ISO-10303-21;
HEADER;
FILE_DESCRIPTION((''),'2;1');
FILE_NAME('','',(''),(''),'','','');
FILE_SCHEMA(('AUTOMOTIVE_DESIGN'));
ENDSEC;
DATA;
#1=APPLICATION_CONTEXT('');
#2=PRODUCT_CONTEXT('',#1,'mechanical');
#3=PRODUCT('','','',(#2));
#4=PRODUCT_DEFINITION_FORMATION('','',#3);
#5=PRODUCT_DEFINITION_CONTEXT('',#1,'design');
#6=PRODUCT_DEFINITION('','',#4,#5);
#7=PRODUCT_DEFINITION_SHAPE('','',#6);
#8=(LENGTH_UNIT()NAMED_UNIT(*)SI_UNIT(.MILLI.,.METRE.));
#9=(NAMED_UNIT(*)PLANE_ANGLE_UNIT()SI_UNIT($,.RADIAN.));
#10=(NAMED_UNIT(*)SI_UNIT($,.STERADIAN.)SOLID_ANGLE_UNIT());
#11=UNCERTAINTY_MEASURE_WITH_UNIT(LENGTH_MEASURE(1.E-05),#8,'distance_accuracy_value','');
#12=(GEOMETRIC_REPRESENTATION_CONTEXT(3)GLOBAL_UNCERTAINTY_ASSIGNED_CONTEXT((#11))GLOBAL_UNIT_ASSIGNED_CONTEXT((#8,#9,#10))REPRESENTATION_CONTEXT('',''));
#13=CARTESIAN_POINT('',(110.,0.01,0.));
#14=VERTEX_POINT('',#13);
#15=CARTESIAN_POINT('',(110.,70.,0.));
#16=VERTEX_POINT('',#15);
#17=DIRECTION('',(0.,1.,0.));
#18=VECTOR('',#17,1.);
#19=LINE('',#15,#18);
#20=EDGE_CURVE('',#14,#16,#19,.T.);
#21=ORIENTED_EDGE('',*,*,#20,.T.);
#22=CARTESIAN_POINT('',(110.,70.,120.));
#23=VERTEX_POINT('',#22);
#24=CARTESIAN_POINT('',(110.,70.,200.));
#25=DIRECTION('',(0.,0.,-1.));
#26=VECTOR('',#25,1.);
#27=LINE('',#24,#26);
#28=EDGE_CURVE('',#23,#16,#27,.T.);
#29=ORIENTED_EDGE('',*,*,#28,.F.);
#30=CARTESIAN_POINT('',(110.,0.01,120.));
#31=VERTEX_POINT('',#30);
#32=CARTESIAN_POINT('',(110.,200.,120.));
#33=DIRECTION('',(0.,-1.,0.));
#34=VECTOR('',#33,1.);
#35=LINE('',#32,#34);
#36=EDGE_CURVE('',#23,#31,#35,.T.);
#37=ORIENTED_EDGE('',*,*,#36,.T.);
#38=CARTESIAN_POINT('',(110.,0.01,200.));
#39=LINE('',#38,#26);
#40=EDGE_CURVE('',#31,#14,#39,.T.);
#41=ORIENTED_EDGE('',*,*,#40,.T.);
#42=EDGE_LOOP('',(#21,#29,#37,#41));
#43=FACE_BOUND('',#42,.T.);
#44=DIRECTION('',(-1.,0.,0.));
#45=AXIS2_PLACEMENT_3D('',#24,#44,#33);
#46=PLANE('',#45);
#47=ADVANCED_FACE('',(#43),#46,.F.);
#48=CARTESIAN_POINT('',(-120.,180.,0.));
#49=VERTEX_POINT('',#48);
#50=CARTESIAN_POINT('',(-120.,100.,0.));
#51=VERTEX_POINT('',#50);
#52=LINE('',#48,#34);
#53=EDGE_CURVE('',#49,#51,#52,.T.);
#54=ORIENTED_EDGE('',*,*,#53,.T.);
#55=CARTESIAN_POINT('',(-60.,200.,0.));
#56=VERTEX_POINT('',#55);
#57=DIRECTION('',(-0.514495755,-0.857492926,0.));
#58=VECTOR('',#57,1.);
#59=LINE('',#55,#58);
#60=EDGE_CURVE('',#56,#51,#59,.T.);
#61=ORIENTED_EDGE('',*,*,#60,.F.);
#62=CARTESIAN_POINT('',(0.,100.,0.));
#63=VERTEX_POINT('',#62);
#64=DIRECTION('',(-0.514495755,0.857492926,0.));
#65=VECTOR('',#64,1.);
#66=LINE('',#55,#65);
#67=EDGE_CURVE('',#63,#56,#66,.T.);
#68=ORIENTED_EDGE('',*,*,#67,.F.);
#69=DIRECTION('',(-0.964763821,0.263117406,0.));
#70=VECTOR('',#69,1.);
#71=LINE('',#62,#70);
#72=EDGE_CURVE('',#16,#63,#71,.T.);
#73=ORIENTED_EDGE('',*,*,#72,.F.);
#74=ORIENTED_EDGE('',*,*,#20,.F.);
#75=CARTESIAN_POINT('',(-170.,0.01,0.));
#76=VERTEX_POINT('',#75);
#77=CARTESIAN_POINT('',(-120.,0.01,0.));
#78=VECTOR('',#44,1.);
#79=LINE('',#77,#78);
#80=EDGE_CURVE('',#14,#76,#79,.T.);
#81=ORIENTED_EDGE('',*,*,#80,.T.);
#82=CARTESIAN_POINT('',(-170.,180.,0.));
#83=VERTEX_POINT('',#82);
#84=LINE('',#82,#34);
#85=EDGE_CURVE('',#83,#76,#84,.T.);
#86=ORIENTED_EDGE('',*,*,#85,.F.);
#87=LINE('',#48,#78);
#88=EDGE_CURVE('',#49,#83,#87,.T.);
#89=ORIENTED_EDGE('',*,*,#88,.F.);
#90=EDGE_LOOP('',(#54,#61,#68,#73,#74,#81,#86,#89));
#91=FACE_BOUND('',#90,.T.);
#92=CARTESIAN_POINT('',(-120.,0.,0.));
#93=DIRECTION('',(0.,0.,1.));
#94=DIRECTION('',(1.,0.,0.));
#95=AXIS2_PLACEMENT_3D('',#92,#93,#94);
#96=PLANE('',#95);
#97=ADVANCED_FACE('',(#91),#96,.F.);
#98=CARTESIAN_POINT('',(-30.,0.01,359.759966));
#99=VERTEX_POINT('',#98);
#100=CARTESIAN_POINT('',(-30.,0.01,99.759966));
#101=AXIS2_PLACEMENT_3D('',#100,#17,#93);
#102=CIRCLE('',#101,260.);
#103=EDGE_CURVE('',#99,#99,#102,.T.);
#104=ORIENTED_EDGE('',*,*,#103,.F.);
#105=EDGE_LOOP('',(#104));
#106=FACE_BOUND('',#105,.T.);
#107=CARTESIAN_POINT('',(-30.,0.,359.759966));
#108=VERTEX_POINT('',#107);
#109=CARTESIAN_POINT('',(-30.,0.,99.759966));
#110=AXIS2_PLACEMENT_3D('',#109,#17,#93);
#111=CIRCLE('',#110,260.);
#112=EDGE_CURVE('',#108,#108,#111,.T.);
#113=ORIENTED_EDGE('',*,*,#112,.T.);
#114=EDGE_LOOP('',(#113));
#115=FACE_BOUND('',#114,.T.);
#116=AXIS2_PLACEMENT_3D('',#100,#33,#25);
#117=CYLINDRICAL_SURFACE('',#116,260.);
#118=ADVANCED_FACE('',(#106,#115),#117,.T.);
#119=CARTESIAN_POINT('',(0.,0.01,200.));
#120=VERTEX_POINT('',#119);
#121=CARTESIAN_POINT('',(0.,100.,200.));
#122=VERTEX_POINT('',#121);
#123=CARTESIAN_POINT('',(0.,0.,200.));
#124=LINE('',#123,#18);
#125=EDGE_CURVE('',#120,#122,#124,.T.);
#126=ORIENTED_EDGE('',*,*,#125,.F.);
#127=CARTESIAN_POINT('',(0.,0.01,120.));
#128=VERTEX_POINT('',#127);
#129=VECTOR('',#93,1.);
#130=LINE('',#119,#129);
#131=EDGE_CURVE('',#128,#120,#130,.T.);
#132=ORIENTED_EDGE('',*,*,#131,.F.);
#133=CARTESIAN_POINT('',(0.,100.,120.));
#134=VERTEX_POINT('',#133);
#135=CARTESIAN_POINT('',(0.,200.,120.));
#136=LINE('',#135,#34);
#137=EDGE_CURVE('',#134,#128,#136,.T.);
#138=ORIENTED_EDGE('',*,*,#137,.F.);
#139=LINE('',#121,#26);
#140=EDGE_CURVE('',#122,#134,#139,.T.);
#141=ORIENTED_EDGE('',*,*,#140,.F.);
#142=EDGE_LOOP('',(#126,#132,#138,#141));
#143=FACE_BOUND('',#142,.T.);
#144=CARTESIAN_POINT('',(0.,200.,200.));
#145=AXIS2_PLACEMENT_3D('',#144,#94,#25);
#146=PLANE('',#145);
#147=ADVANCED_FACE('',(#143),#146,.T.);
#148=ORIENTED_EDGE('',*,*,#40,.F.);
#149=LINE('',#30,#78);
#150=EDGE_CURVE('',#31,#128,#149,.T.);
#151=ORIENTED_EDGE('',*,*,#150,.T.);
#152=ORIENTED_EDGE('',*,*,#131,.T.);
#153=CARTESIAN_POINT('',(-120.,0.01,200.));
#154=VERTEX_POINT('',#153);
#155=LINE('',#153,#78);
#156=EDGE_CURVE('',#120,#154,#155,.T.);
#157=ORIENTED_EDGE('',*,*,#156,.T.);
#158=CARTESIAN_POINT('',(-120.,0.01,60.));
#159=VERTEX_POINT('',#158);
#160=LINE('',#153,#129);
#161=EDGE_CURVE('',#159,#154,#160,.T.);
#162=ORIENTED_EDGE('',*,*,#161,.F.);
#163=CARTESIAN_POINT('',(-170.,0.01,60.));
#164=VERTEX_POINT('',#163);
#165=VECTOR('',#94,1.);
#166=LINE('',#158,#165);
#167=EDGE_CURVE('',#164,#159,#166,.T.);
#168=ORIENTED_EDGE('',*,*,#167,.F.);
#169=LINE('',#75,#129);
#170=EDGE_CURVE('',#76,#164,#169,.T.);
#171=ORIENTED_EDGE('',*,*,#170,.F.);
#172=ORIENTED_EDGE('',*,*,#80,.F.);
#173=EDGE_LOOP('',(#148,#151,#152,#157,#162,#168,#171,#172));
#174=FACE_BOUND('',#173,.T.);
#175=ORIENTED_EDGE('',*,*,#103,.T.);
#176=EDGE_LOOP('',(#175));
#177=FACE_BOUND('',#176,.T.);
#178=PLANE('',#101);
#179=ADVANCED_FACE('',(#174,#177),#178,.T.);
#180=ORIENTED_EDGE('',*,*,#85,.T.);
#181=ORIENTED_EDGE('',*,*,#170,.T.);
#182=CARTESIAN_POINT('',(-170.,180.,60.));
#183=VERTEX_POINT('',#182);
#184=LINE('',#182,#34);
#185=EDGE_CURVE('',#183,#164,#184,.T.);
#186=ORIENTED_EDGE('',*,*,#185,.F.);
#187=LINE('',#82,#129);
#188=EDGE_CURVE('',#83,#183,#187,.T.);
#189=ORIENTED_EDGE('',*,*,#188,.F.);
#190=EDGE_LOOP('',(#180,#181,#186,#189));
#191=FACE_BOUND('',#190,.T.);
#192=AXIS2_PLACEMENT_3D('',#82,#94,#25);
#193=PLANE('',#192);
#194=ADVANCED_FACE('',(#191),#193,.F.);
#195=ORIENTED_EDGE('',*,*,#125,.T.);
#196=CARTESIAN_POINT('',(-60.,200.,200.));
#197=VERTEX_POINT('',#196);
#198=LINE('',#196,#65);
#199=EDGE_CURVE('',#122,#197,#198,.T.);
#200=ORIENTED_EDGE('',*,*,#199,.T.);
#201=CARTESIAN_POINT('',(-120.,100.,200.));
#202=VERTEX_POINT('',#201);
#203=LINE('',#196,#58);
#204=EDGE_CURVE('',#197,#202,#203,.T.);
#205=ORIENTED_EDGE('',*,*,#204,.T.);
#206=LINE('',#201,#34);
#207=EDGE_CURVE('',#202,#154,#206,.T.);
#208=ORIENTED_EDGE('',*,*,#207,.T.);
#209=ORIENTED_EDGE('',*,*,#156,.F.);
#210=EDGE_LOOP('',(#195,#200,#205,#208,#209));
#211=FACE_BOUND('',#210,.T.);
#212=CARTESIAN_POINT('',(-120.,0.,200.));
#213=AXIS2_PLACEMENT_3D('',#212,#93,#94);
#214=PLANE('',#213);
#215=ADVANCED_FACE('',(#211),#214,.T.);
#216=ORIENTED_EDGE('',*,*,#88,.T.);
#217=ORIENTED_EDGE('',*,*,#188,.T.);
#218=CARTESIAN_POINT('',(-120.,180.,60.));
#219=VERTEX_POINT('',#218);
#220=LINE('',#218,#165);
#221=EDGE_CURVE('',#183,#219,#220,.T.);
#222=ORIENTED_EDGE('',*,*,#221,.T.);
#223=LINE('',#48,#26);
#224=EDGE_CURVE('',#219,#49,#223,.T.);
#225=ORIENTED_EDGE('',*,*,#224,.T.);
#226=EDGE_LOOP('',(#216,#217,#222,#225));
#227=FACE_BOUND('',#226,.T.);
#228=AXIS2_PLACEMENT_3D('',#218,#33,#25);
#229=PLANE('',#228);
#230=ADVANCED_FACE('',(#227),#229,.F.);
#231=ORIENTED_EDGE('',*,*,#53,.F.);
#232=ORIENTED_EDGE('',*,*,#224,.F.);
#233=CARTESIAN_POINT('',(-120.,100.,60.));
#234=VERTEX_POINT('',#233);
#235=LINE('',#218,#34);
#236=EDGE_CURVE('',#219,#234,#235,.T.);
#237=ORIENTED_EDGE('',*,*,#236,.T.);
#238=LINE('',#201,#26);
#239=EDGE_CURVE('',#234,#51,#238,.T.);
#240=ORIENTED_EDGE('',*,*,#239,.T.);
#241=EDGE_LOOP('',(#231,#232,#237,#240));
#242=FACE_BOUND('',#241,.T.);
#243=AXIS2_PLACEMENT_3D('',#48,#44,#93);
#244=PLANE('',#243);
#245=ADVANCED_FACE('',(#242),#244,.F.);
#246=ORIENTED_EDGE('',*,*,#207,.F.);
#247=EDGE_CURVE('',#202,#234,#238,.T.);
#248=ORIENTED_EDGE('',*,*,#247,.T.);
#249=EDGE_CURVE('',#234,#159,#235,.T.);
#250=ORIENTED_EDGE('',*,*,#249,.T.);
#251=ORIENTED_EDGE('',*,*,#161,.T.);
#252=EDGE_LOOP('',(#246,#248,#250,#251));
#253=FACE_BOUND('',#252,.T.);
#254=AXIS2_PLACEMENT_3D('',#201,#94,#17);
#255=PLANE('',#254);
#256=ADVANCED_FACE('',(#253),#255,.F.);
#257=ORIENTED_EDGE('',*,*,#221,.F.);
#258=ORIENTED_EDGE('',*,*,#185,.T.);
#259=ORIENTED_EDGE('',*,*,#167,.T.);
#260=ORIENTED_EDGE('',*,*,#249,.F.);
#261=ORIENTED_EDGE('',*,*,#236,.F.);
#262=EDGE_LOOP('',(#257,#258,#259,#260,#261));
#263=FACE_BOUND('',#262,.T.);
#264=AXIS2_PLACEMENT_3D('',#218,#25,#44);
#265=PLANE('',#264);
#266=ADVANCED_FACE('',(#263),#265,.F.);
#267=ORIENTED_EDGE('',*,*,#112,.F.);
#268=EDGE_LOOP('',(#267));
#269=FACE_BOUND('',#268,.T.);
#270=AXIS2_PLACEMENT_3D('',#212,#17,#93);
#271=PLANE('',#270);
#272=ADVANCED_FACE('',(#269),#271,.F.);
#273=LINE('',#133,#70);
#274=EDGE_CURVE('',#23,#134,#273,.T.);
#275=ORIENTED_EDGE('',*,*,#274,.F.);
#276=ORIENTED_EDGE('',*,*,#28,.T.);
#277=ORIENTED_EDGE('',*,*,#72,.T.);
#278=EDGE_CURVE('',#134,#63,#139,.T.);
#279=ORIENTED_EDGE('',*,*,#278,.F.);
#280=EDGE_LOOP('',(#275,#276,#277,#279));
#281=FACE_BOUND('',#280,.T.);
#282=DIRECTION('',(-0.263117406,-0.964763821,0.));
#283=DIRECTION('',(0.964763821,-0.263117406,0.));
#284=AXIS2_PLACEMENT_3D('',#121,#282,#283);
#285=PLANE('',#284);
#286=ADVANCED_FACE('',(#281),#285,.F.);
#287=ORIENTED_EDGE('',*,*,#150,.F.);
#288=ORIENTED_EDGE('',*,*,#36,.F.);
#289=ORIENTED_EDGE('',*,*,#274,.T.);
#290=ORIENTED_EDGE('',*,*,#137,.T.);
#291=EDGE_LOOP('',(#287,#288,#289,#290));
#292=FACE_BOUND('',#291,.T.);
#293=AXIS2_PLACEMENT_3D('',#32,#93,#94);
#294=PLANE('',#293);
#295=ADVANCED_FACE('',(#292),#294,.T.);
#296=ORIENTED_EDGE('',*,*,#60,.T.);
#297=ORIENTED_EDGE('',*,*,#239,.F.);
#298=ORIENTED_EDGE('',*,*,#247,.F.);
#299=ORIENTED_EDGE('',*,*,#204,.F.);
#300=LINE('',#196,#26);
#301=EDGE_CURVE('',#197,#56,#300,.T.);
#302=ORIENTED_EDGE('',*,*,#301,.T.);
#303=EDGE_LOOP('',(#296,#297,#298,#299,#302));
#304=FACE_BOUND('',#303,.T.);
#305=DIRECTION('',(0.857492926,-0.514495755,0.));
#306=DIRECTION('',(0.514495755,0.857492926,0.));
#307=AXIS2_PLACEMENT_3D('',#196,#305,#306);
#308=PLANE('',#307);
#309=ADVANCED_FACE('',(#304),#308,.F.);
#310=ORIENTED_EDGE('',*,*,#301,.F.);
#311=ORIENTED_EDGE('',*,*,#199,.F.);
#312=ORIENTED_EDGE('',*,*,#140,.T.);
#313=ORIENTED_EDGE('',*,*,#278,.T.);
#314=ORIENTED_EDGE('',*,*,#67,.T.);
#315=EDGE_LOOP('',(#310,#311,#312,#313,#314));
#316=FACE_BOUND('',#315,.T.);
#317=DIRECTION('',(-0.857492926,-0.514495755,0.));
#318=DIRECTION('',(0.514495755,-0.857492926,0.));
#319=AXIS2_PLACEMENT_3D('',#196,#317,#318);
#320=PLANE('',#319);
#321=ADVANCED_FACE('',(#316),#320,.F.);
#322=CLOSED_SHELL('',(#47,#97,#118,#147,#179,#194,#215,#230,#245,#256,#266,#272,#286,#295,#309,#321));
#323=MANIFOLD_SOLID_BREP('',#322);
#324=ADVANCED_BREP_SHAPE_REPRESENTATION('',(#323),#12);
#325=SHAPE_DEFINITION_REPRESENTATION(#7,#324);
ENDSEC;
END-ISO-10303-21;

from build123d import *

# Parameters (mm, degrees)
EXTRUDE1_DEPTH = 200
SKETCH2_W      = 110
SKETCH2_H      = 80
EXTRUDE2_DEPTH = 200
SKETCH3_W      = 50
SKETCH3_H      = 60
EXTRUDE3_DEPTH = 180
SKETCH4_R      = 260
EXTRUDE4_DEPTH = 0.01


with BuildPart() as part:
    # Sketch1 → Extrude1 (new body)
    with BuildSketch(Plane.XY):
        Polygon((-60, 200), (0, 100), (110, 70), (110, 0), (0, 0), (-120, 0), (-120, 100), align=None)
    extrude(amount=EXTRUDE1_DEPTH)

    # Sketch2 → Extrude2 (cut)
    with BuildSketch(Plane(origin=(0, 0, 0), x_dir=(1, 0, 0), z_dir=(0, 1, 0))):
        with Locations((55, -160)):
            Rectangle(SKETCH2_W, SKETCH2_H)
    extrude(amount=EXTRUDE2_DEPTH, mode=Mode.SUBTRACT)

    # Sketch3 → Extrude3 (add)
    with BuildSketch(Plane(origin=(0, 0, 0), x_dir=(1, 0, 0), z_dir=(0, 1, 0))):
        with Locations((-145, -30)):
            Rectangle(SKETCH3_W, SKETCH3_H)
    extrude(amount=EXTRUDE3_DEPTH)

    # Sketch4 → Extrude4 (add)
    with BuildSketch(Plane(origin=(0, 0, 0), x_dir=(1, 0, 0), z_dir=(0, 1, 0))):
        with Locations(Location((-30, -99.759965953, 0), (0, 0, 270))):  # turned: the seam where the file's is
            Circle(SKETCH4_R)
    extrude(amount=EXTRUDE4_DEPTH)


solid = part.part
